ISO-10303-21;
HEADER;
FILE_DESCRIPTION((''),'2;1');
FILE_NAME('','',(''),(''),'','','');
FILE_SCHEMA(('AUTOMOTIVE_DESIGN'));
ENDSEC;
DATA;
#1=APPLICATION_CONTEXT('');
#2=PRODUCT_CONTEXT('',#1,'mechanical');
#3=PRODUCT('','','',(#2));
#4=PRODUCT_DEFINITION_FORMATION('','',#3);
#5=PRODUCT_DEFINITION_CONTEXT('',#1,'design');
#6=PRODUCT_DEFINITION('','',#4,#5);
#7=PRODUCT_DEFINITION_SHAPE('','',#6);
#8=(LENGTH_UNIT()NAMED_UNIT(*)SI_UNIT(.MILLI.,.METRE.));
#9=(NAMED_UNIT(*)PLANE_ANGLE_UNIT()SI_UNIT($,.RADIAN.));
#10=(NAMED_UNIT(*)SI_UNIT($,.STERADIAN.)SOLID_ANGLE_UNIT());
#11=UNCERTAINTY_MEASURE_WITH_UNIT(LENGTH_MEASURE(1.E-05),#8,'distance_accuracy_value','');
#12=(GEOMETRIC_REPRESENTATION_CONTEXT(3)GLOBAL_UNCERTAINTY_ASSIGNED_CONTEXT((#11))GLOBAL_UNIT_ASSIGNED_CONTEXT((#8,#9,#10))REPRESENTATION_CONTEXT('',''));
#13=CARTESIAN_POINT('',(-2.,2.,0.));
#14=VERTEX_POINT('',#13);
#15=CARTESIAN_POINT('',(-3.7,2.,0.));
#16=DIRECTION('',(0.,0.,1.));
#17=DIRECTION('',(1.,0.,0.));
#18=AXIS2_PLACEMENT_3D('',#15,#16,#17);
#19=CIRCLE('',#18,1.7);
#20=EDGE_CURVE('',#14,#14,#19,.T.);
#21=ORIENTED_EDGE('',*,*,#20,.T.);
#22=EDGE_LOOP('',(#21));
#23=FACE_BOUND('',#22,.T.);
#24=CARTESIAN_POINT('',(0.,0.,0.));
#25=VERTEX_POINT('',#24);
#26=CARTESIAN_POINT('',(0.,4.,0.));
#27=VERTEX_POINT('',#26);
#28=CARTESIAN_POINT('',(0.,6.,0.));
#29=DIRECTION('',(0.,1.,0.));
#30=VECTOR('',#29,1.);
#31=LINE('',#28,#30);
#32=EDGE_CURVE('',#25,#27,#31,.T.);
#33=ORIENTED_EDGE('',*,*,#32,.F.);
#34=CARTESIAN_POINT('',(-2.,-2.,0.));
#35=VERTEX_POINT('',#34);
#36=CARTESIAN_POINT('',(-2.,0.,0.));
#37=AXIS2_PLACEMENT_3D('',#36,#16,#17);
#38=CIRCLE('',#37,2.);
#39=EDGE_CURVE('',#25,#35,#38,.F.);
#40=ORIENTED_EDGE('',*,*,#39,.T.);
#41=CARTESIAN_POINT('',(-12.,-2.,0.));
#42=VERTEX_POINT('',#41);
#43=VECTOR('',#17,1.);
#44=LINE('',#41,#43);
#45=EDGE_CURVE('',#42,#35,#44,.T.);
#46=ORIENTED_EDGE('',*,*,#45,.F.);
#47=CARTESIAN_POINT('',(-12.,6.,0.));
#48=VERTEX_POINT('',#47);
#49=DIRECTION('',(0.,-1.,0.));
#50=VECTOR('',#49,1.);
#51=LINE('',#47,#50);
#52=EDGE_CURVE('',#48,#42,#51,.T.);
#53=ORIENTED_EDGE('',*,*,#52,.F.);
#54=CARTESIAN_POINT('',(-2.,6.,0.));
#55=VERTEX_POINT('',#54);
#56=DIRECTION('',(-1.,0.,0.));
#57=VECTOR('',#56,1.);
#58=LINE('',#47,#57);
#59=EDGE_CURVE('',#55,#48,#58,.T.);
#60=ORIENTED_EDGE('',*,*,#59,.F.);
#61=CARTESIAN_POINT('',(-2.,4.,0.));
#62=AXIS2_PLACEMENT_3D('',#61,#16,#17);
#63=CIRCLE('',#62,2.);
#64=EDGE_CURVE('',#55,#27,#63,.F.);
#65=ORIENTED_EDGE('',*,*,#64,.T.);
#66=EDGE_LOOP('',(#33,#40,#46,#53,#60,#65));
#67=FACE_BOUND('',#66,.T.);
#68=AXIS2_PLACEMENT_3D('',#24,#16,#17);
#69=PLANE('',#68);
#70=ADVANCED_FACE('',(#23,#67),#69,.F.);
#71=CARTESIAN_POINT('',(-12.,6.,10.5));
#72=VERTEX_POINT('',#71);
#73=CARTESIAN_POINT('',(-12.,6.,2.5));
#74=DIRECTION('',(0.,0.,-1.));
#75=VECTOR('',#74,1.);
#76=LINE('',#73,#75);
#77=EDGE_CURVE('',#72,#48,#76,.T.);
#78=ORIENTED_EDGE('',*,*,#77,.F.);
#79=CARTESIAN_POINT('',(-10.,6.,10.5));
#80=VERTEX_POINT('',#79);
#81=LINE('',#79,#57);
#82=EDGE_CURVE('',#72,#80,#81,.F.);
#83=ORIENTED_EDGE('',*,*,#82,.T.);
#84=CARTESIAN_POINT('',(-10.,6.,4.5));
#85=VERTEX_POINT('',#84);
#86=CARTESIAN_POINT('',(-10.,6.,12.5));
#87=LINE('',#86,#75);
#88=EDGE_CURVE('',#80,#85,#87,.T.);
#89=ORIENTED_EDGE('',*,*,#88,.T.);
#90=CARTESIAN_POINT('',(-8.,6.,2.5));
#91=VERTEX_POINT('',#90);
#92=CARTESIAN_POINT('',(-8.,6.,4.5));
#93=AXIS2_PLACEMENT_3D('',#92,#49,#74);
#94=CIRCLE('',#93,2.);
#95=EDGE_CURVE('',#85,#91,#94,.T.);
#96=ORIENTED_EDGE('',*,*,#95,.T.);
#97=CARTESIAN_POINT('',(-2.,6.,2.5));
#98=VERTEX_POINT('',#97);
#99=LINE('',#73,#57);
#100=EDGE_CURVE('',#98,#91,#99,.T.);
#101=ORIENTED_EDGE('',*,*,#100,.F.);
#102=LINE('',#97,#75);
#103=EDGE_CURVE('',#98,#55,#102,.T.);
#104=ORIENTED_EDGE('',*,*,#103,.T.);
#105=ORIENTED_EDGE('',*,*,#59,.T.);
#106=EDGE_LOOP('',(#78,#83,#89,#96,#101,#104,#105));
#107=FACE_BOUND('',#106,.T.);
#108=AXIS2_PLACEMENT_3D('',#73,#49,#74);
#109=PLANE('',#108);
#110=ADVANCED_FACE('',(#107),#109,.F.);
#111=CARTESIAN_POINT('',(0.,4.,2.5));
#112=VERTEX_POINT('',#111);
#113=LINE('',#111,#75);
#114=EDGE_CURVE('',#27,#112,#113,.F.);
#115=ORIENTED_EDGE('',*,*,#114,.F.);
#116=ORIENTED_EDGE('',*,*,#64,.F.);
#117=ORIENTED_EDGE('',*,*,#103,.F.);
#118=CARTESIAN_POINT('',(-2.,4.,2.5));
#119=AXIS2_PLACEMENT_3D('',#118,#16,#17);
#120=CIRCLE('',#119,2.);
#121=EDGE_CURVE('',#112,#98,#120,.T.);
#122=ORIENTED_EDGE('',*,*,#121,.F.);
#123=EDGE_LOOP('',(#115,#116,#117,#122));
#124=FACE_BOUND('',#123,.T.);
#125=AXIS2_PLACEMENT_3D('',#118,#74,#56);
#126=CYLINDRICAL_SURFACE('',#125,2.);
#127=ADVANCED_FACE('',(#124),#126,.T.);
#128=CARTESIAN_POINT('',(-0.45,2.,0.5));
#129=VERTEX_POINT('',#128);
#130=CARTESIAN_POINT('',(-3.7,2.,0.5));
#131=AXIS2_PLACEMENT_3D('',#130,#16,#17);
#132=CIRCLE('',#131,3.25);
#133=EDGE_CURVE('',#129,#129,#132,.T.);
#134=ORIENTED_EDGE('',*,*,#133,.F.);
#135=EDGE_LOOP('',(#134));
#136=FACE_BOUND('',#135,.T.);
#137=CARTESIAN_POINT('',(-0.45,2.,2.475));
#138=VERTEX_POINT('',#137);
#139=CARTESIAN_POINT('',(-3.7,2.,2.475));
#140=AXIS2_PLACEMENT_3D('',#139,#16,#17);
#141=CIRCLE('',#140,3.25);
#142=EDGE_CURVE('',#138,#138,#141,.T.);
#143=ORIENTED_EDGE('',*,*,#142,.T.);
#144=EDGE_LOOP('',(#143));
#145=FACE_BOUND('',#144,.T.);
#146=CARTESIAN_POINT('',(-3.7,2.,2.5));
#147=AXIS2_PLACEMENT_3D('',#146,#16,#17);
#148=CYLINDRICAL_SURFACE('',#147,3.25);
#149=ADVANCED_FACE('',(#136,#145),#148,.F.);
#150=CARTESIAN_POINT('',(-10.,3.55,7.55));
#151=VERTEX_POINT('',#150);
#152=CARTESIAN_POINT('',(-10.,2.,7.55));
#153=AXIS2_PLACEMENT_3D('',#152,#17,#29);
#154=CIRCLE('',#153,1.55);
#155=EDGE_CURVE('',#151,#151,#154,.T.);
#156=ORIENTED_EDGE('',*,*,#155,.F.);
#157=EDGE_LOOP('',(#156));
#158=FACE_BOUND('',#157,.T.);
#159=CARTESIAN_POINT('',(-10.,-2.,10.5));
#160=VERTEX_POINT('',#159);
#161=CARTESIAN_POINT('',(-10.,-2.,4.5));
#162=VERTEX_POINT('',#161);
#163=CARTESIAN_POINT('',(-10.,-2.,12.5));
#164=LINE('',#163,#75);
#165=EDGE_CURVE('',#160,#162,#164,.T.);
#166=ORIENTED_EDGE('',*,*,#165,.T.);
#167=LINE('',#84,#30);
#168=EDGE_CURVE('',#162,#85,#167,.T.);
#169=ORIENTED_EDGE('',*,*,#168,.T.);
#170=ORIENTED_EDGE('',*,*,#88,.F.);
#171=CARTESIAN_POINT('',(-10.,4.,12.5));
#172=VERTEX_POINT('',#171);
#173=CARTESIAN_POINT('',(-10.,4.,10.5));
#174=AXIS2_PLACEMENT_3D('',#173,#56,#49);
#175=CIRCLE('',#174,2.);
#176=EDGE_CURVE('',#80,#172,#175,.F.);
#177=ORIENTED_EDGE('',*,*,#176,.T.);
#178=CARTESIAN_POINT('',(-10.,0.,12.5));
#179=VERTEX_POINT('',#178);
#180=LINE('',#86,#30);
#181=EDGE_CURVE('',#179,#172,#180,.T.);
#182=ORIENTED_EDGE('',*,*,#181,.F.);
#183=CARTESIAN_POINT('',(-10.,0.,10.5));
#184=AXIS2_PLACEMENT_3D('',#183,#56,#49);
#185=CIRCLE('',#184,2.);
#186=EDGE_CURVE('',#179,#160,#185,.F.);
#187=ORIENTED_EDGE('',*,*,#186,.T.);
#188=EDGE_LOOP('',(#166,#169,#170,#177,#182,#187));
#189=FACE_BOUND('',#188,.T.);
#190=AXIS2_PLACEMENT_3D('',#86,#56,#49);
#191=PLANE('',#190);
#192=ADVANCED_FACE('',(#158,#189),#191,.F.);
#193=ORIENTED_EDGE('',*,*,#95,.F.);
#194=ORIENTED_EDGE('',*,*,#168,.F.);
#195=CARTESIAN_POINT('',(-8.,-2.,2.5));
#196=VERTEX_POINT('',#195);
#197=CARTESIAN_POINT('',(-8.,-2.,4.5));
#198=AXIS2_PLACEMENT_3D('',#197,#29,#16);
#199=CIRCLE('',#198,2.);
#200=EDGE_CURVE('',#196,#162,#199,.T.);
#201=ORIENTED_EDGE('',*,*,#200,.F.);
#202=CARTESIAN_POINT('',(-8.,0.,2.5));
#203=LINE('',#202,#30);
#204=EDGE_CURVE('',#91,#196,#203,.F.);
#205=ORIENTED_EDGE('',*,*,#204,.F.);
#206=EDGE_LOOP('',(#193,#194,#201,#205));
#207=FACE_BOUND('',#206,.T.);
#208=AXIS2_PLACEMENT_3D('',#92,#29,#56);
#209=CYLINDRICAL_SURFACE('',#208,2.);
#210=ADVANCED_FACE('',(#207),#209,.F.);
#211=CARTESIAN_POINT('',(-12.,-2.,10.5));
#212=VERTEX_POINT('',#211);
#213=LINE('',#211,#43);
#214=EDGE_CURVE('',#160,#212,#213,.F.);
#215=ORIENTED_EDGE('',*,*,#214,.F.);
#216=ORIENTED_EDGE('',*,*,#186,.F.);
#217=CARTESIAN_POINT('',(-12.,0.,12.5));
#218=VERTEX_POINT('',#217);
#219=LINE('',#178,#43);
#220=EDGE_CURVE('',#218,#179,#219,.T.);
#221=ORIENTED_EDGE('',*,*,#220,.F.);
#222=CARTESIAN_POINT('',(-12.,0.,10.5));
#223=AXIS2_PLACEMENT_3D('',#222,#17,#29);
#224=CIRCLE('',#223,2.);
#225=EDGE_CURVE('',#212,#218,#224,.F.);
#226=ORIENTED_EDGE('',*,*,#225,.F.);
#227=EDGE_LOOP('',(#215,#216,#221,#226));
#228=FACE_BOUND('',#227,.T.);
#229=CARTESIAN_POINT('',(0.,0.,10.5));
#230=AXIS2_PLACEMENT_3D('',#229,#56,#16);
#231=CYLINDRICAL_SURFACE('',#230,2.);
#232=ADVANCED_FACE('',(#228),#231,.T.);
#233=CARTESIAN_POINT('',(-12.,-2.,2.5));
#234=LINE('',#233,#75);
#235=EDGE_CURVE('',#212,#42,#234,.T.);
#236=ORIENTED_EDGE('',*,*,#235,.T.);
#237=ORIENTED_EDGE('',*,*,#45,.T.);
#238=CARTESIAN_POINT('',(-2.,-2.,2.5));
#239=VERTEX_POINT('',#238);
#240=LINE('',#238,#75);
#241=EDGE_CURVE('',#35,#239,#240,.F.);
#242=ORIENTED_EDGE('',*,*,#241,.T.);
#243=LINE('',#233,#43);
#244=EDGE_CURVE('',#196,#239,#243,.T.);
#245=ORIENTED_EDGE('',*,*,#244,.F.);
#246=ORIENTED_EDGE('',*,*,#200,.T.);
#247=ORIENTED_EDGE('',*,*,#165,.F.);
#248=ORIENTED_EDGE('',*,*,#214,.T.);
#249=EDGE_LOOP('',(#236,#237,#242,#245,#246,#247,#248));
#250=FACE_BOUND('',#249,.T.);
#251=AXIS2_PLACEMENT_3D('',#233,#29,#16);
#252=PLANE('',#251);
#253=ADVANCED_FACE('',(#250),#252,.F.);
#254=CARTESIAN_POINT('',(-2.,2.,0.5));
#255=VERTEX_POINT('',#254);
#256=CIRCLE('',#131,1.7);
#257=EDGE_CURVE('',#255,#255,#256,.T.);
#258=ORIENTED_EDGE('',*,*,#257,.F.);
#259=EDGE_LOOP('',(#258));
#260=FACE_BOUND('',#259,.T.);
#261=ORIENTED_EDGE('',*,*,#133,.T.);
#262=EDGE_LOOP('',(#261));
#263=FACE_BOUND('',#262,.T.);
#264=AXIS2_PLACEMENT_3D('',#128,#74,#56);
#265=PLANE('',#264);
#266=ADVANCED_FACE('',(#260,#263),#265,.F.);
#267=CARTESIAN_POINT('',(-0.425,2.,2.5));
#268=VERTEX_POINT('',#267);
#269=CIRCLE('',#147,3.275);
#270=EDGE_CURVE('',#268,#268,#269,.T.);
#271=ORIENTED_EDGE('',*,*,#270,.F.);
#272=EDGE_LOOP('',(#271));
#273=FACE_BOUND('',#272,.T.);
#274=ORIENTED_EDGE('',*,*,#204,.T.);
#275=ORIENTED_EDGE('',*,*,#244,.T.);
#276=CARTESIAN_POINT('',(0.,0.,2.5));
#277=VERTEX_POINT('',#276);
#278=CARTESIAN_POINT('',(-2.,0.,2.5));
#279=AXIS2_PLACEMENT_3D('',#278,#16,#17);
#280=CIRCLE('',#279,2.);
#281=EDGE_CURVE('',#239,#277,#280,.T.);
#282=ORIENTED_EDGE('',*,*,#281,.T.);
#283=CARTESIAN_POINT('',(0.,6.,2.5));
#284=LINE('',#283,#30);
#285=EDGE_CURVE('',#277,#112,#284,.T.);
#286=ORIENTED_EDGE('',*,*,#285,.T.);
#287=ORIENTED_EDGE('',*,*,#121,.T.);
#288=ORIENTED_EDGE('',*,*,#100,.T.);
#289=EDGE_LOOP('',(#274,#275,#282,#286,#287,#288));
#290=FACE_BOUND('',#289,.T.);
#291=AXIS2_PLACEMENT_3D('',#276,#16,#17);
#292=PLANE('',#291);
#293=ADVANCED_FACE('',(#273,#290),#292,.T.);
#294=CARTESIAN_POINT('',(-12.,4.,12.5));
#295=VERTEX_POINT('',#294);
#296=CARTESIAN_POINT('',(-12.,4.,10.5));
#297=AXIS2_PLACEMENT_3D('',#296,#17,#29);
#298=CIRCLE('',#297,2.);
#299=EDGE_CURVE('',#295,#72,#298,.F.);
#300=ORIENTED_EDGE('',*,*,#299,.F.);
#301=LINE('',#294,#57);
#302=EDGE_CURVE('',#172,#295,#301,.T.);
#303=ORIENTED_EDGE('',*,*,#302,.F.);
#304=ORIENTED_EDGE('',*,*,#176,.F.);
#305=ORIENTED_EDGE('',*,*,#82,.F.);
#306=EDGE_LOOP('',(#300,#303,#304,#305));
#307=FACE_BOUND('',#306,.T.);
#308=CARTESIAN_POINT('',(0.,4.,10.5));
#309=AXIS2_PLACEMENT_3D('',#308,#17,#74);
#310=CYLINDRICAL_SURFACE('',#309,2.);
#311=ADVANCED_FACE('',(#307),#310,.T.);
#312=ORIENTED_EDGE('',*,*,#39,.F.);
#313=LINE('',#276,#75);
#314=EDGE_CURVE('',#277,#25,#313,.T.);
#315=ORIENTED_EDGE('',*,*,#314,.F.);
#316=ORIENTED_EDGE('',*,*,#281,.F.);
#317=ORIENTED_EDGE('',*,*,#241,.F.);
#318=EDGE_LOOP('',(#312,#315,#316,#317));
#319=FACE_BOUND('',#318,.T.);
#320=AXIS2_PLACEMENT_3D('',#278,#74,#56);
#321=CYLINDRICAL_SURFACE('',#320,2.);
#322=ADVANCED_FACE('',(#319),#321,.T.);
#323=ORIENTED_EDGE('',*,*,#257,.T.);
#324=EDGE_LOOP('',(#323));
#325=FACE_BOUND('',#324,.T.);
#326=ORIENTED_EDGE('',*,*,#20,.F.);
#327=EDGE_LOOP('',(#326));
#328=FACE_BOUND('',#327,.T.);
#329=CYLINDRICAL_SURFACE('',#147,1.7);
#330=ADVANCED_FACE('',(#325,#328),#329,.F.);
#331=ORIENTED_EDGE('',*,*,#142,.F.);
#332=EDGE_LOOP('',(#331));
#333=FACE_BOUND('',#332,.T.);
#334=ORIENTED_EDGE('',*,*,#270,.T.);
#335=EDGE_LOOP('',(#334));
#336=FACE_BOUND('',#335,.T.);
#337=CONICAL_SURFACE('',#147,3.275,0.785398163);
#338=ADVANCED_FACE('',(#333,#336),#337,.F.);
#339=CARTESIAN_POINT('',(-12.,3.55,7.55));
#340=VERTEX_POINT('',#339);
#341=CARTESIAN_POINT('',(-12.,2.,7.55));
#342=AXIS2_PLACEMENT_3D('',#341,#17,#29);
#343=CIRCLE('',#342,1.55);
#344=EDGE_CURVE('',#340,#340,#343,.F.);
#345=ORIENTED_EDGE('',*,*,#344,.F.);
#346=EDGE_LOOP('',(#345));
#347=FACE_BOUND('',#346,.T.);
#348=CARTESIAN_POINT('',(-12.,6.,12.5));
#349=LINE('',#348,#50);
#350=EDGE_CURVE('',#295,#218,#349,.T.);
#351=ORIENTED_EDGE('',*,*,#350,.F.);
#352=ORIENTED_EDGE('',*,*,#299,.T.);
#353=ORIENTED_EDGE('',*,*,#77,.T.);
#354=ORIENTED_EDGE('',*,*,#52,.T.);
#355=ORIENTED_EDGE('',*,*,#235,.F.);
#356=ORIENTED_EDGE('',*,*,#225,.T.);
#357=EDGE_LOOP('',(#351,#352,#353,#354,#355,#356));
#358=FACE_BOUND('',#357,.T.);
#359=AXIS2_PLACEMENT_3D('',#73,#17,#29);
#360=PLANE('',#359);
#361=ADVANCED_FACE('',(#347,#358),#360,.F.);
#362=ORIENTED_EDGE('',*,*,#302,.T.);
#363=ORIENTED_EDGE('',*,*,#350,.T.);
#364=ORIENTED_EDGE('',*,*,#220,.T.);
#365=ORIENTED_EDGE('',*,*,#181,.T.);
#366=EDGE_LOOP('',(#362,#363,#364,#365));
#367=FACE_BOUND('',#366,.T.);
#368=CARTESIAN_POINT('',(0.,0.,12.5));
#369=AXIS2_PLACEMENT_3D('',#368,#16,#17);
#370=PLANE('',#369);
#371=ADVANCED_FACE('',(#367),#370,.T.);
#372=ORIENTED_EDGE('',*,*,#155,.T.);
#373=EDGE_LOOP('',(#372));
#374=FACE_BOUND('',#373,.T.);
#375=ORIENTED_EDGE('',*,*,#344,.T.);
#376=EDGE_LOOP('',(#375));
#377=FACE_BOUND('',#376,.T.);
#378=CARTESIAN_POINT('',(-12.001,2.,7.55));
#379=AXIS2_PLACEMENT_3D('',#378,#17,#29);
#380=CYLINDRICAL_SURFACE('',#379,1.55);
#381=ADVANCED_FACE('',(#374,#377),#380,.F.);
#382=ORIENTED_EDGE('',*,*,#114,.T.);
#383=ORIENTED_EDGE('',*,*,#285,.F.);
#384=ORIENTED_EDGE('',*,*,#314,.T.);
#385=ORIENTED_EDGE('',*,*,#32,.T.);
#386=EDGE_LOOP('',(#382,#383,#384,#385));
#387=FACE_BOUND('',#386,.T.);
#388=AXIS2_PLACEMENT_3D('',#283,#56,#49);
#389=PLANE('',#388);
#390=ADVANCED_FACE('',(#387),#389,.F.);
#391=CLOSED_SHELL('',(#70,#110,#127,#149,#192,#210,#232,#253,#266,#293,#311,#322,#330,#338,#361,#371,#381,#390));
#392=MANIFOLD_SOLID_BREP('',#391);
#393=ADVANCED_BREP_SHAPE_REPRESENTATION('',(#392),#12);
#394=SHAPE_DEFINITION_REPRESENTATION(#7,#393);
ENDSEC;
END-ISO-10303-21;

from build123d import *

# Parameters (mm, degrees)
ESBO_O1_W                = 12
ESBO_O1_H                = 8
RESSALTO_EXTRUS_O1_DEPTH = 2.5
ESBO_O3_W                = 2
ESBO_O3_H                = 8
RESSALTO_EXTRUS_O2_DEPTH = 10
FILETE1_R                = 2
FILETE2_R                = 2
CORTE_EXTRUS_O2_REACH    = 19.095
ESBO_O6_R                = 1.55


with BuildPart() as part:
    # Esboço1 → Ressalto-extrusão1 (new body)
    with BuildSketch(Plane.XY):
        with Locations((-6, 2)):
            Rectangle(ESBO_O1_W, ESBO_O1_H)
    extrude(amount=RESSALTO_EXTRUS_O1_DEPTH)

    # Esboço3 → Ressalto-extrusão2 (add)
    with BuildSketch(Plane.XY.offset(2.5)):
        with Locations((-11, 2)):
            Rectangle(ESBO_O3_W, ESBO_O3_H)
    extrude(amount=RESSALTO_EXTRUS_O2_DEPTH)

    # Esboço10 → Rebaixo para parafuso com cabeça redonda de M33 (revolve, cut)
    with BuildSketch(Plane(origin=(-3.7, 2, 2.5), x_dir=(0, -1, 0), z_dir=(1, 0, 0))):
        Polygon((0, 0), (0, 2.5), (1.7, 2.5), (1.7, 2), (3.25, 2), (3.25, 0.025), (3.275, 0), align=None)
    revolve(axis=Axis((-3.7, 2, 8.85), (0, 0, -1)), mode=Mode.SUBTRACT)

    # Filete1
    filete1_edges = [part.edges().sort_by_distance(p)[0] for p in [
        (-10, 2, 2.5),
    ]]
    fillet(filete1_edges, radius=FILETE1_R)

    # Filete2
    filete2_edges = [part.edges().sort_by_distance(p)[0] for p in [
        (-11, -2, 12.5),
        (-11, 6, 12.5),
        (0, 6, 1.25),
        (0, -2, 1.25),
    ]]
    fillet(filete2_edges, radius=FILETE2_R)

    # Esboço6 → Corte-extrusão2 (cut, up to next)
    with BuildSketch(Plane(origin=(-10, 0, 0), x_dir=(0, 0, -1), z_dir=(1, 0, 0)), mode=Mode.PRIVATE) as corte_extrus_o2_sk1:
        with Locations(Location((-7.55, 2, 0), (0, 0, 90))):
            Circle(ESBO_O6_R)
    corte_extrus_o2_tool1 = extrude(corte_extrus_o2_sk1.sketch, amount=-CORTE_EXTRUS_O2_REACH, mode=Mode.PRIVATE) & part.part
    add(corte_extrus_o2_tool1.solids().sort_by_distance((-10, 2, 7.55))[0], mode=Mode.SUBTRACT)


solid = part.part
